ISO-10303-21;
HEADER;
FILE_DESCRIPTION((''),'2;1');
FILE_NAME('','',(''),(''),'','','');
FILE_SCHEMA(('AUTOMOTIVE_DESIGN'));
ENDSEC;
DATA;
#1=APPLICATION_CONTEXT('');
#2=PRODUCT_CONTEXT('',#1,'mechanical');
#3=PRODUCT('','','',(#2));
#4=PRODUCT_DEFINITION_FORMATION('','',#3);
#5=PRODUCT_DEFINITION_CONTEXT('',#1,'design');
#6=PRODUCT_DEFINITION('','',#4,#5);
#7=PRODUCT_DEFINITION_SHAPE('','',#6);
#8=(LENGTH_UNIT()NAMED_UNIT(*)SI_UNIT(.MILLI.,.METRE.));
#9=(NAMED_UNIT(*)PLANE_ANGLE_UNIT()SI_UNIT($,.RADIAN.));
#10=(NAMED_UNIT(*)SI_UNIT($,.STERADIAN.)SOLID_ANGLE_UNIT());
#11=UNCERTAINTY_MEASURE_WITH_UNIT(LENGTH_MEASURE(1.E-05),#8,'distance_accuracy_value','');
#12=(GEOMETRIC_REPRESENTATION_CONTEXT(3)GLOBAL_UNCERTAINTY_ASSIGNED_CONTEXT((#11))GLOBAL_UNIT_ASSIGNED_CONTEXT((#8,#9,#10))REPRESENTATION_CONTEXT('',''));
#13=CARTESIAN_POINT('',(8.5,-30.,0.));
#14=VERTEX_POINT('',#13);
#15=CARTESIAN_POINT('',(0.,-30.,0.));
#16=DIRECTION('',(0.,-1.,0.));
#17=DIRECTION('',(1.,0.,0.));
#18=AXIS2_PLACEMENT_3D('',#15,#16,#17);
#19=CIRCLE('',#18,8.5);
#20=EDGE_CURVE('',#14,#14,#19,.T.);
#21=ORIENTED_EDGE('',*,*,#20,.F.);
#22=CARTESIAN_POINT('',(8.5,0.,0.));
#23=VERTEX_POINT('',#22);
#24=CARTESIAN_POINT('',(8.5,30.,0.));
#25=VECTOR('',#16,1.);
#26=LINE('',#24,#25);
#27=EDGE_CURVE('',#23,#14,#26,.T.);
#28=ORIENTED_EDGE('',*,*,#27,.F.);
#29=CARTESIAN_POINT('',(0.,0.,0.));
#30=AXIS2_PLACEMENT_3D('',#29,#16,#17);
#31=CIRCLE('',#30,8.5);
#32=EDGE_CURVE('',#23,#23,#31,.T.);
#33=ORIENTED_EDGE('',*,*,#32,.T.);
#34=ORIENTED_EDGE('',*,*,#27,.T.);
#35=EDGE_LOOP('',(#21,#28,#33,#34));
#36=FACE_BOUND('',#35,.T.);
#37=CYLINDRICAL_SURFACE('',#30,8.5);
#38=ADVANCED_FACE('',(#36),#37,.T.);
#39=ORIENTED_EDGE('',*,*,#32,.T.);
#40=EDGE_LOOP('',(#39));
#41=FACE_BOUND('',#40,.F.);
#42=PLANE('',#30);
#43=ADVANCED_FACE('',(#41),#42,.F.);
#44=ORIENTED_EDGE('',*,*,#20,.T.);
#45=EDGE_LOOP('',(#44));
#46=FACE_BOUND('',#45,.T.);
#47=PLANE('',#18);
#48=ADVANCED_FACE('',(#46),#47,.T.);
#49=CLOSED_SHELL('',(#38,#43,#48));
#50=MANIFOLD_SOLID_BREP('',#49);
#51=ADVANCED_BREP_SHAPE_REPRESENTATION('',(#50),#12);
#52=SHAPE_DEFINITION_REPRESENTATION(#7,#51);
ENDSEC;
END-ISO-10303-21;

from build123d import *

# Parameters (mm, degrees)
F0_R     = 8.5
F1_DEPTH = 30
F2_R     = 13.323811
F3_DEPTH = 39.4


with BuildPart() as f1:
    # F0 (on Front) → F1 (new body, symmetric)
    with BuildSketch(Plane.XZ):
        Circle(F0_R)
    extrude(amount=F1_DEPTH, both=True)

    # F2 (on Front) → F3 (cut)
    with BuildSketch(Plane.XZ):
        Circle(F2_R)
    extrude(amount=-F3_DEPTH, mode=Mode.SUBTRACT)


solid = f1.part
